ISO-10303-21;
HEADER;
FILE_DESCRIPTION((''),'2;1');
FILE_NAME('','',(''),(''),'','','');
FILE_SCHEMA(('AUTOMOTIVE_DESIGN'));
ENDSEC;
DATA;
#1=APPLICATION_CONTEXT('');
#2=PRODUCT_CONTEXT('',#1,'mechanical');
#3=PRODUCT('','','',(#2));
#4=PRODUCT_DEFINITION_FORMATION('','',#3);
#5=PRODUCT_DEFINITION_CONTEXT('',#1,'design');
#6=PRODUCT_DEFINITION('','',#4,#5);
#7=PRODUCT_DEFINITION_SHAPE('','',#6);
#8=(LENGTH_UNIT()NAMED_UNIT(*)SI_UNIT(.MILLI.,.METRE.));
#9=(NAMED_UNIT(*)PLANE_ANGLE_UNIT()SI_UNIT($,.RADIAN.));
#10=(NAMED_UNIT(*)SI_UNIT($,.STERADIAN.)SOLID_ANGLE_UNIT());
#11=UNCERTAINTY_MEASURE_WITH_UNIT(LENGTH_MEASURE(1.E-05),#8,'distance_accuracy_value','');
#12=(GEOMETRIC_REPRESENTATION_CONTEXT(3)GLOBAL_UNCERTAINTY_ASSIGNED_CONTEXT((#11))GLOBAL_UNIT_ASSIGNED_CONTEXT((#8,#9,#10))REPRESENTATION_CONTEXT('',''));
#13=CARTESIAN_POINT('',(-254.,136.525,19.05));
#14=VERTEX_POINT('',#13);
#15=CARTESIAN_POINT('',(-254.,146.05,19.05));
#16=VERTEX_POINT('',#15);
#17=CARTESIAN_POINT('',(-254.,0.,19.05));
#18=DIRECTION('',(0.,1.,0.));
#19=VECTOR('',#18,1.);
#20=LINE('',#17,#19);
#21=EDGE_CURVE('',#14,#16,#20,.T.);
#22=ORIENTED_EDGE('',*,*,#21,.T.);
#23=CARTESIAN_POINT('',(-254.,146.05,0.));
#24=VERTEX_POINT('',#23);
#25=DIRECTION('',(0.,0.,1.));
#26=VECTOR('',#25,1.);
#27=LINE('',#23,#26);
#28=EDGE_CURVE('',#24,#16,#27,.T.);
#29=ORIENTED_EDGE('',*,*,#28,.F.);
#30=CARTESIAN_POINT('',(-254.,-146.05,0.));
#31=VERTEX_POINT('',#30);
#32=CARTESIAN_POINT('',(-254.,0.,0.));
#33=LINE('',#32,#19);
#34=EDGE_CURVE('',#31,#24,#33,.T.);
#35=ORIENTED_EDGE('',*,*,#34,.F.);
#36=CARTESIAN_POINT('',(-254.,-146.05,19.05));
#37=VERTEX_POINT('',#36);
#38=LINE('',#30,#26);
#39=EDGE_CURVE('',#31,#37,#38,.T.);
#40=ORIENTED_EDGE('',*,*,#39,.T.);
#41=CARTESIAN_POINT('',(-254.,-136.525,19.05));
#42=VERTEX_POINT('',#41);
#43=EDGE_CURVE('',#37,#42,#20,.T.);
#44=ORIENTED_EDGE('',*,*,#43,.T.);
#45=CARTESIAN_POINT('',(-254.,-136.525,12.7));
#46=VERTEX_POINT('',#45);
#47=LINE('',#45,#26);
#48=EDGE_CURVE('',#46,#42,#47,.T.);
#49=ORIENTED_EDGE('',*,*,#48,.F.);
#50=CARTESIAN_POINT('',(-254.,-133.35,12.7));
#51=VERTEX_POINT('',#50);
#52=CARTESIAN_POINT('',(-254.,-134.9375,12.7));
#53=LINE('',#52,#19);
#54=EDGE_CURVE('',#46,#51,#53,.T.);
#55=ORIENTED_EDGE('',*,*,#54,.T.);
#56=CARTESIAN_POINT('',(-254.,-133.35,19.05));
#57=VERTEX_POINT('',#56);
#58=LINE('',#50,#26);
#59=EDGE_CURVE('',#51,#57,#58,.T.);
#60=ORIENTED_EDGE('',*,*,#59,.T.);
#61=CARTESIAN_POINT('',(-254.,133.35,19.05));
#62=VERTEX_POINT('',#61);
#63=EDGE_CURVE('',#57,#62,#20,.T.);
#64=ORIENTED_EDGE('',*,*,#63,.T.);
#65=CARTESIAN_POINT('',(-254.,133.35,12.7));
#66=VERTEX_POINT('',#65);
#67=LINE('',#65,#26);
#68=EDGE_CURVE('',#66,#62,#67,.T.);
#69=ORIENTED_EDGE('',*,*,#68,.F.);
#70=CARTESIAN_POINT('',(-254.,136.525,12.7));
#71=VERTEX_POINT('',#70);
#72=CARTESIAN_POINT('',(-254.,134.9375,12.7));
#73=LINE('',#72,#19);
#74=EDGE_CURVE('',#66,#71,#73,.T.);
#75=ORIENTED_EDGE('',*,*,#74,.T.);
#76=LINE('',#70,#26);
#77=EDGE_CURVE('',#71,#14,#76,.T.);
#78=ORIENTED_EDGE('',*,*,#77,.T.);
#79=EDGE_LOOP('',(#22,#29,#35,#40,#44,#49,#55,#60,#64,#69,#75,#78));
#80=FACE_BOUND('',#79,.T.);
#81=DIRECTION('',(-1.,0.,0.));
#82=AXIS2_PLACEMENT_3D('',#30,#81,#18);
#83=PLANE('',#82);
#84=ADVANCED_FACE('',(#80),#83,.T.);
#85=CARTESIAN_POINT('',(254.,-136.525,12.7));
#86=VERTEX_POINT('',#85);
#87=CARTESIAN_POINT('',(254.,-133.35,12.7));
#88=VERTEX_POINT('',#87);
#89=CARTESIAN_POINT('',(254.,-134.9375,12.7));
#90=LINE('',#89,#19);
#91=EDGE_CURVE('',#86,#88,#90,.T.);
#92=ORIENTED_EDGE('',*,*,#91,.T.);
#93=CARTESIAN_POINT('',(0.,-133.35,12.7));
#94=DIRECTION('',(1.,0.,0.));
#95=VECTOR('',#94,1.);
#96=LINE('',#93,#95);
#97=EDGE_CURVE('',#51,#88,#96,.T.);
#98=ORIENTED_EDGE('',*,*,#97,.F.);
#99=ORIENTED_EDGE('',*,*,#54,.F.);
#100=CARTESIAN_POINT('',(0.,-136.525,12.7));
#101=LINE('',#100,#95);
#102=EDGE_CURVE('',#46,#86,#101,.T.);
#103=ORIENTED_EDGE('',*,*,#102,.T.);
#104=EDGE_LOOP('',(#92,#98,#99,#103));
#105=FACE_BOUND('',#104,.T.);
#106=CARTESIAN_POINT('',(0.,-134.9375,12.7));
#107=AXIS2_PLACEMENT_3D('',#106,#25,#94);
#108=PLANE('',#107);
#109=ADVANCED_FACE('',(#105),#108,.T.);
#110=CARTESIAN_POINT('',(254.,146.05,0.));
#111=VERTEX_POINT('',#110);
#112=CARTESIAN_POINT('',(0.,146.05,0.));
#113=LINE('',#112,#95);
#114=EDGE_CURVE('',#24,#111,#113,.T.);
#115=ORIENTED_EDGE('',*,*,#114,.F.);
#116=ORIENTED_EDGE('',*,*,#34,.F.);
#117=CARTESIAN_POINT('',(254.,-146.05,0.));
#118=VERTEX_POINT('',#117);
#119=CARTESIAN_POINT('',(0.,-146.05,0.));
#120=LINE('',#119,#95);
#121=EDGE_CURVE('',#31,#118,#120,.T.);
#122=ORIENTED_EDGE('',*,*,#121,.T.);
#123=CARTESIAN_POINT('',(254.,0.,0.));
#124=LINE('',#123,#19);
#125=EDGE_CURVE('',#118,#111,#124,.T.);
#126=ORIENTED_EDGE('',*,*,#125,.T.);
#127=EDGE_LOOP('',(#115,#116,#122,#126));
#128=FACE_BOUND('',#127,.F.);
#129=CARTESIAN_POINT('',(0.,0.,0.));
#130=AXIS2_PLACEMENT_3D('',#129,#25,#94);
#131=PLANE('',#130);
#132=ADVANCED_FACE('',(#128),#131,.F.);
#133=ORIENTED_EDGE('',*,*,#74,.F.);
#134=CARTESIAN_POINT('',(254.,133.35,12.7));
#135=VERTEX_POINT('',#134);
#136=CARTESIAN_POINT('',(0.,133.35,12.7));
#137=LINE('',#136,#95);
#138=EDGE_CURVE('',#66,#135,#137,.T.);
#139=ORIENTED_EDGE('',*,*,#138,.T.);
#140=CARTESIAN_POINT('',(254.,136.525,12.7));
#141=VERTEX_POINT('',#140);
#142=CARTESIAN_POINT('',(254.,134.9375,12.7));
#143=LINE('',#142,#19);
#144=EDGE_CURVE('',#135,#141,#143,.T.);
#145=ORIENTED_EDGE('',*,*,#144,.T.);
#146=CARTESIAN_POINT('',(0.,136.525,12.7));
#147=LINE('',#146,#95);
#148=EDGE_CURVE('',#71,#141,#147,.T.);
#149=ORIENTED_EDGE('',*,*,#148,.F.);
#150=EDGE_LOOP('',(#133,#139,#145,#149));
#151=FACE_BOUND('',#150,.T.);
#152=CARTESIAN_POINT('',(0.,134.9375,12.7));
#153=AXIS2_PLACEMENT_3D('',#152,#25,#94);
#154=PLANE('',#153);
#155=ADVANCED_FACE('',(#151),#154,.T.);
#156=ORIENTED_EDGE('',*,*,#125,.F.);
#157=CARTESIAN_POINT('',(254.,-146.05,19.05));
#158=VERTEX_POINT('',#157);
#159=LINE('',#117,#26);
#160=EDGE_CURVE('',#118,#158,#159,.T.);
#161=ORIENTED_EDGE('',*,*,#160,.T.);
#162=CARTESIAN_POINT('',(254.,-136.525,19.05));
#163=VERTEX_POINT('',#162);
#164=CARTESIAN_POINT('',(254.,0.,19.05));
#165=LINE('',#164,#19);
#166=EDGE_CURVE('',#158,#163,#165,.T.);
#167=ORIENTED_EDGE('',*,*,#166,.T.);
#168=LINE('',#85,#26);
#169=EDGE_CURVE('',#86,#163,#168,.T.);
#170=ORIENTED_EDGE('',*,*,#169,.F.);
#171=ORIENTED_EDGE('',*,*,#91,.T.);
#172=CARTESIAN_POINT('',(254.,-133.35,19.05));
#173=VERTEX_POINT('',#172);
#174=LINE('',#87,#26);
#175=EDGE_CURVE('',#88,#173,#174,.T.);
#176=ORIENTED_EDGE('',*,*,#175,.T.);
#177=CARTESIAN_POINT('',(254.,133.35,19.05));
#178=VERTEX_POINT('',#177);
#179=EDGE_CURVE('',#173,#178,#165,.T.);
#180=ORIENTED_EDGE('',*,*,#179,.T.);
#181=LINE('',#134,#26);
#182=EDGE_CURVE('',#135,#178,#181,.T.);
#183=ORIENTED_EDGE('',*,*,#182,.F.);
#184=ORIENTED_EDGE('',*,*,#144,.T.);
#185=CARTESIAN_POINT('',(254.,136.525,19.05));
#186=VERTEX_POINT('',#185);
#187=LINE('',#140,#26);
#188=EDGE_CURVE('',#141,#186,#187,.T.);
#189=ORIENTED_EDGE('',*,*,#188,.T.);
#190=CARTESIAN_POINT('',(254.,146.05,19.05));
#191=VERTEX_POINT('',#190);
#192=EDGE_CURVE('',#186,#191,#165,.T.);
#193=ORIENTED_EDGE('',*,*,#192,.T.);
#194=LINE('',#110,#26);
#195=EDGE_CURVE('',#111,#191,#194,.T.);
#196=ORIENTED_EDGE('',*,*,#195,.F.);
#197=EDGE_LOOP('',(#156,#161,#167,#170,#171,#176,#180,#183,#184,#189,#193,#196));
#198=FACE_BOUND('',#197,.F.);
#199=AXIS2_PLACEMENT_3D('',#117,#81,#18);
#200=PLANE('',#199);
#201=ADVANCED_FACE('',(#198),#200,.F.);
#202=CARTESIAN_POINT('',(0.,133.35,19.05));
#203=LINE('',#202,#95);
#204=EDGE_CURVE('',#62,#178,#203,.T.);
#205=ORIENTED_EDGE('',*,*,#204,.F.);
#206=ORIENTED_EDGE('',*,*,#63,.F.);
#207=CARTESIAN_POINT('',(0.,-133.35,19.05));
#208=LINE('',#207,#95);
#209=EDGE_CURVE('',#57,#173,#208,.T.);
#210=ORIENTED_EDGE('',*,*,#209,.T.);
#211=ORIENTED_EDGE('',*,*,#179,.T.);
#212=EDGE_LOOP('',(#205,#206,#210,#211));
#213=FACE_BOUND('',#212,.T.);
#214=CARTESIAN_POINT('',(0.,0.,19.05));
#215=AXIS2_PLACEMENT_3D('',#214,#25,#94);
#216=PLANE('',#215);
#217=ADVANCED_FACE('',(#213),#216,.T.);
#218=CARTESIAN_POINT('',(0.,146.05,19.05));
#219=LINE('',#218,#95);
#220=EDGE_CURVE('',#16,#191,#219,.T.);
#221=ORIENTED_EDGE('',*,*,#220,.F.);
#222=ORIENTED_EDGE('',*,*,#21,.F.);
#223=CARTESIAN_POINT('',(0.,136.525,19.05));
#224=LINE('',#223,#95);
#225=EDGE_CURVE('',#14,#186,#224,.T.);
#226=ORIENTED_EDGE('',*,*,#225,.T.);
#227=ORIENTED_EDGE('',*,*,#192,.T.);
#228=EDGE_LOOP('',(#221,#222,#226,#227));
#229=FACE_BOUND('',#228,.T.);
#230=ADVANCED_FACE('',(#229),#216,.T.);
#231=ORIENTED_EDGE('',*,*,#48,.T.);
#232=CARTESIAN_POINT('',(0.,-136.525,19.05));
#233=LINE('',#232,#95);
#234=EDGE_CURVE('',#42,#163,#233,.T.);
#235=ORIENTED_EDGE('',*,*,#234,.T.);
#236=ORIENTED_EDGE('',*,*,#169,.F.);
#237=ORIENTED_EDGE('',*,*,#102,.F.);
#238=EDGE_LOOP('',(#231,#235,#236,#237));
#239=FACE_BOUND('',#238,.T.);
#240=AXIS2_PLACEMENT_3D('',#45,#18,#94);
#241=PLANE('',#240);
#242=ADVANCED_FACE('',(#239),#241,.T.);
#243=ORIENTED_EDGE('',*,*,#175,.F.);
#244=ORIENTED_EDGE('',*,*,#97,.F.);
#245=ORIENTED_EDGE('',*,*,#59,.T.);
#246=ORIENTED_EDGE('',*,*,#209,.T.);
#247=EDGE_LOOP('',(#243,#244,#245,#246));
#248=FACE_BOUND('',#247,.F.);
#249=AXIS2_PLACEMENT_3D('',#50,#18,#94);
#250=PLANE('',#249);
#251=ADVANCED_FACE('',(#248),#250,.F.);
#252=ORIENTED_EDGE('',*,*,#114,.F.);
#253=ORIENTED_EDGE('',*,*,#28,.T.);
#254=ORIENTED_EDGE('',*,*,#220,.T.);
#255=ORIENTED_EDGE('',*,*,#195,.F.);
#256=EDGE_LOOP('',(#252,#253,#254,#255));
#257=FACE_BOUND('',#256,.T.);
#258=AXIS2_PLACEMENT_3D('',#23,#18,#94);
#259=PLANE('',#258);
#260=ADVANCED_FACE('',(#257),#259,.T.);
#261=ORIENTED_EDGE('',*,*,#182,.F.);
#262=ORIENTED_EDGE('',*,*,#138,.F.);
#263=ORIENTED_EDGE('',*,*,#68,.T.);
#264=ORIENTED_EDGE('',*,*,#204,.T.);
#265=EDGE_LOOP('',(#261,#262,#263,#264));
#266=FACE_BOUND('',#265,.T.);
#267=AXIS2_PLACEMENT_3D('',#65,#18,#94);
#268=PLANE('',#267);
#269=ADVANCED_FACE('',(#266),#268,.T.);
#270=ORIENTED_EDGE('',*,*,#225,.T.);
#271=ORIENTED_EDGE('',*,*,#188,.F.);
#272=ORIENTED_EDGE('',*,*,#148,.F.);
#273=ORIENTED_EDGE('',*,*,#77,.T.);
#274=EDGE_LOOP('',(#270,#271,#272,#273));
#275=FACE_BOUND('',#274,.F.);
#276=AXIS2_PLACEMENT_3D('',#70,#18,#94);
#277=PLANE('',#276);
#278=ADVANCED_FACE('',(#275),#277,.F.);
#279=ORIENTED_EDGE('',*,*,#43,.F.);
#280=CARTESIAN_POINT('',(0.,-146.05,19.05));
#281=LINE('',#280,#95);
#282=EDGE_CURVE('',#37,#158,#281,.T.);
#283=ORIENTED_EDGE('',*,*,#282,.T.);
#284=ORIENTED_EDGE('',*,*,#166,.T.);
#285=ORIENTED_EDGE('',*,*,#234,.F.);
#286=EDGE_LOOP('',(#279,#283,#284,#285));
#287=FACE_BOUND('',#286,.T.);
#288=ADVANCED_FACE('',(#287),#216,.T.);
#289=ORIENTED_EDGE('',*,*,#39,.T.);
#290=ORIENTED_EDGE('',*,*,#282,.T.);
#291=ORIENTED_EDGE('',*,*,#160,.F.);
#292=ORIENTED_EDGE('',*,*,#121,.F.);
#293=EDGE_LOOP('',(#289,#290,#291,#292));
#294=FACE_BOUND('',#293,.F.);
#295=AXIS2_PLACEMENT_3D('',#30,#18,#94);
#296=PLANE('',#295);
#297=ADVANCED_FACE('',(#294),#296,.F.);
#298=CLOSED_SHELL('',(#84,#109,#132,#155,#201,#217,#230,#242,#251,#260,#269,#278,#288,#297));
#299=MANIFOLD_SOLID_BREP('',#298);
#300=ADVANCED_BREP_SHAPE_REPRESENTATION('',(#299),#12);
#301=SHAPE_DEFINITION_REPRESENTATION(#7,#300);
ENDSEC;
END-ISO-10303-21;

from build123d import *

# Parameters (mm, degrees)
SKETCH_W     = 508
SKETCH_H     = 292.1
PAD_DEPTH    = 19.05
BOX_W        = 508
BOX_H        = 3.175
BOX_DEPTH    = 6.35
BOX001_W     = 508
BOX001_H     = 3.175
BOX001_DEPTH = 6.35


with BuildPart() as part:
    # Sketch → Pad (new body)
    with BuildSketch(Plane.XY):
        Rectangle(SKETCH_W, SKETCH_H)
    extrude(amount=PAD_DEPTH)

    # Box → Box (cut)
    with BuildSketch(Plane(origin=(-254, -136.525, 12.7), x_dir=(1, 0, 0), z_dir=(0, 0, 1))):
        with Locations((254, 1.5875)):
            Rectangle(BOX_W, BOX_H)
    extrude(amount=BOX_DEPTH, mode=Mode.SUBTRACT)

    # Box001 → Box001 (cut)
    with BuildSketch(Plane(origin=(-254, 133.35, 12.7), x_dir=(1, 0, 0), z_dir=(0, 0, 1))):
        with Locations((254, 1.5875)):
            Rectangle(BOX001_W, BOX001_H)
    extrude(amount=BOX001_DEPTH, mode=Mode.SUBTRACT)


solid = part.part
